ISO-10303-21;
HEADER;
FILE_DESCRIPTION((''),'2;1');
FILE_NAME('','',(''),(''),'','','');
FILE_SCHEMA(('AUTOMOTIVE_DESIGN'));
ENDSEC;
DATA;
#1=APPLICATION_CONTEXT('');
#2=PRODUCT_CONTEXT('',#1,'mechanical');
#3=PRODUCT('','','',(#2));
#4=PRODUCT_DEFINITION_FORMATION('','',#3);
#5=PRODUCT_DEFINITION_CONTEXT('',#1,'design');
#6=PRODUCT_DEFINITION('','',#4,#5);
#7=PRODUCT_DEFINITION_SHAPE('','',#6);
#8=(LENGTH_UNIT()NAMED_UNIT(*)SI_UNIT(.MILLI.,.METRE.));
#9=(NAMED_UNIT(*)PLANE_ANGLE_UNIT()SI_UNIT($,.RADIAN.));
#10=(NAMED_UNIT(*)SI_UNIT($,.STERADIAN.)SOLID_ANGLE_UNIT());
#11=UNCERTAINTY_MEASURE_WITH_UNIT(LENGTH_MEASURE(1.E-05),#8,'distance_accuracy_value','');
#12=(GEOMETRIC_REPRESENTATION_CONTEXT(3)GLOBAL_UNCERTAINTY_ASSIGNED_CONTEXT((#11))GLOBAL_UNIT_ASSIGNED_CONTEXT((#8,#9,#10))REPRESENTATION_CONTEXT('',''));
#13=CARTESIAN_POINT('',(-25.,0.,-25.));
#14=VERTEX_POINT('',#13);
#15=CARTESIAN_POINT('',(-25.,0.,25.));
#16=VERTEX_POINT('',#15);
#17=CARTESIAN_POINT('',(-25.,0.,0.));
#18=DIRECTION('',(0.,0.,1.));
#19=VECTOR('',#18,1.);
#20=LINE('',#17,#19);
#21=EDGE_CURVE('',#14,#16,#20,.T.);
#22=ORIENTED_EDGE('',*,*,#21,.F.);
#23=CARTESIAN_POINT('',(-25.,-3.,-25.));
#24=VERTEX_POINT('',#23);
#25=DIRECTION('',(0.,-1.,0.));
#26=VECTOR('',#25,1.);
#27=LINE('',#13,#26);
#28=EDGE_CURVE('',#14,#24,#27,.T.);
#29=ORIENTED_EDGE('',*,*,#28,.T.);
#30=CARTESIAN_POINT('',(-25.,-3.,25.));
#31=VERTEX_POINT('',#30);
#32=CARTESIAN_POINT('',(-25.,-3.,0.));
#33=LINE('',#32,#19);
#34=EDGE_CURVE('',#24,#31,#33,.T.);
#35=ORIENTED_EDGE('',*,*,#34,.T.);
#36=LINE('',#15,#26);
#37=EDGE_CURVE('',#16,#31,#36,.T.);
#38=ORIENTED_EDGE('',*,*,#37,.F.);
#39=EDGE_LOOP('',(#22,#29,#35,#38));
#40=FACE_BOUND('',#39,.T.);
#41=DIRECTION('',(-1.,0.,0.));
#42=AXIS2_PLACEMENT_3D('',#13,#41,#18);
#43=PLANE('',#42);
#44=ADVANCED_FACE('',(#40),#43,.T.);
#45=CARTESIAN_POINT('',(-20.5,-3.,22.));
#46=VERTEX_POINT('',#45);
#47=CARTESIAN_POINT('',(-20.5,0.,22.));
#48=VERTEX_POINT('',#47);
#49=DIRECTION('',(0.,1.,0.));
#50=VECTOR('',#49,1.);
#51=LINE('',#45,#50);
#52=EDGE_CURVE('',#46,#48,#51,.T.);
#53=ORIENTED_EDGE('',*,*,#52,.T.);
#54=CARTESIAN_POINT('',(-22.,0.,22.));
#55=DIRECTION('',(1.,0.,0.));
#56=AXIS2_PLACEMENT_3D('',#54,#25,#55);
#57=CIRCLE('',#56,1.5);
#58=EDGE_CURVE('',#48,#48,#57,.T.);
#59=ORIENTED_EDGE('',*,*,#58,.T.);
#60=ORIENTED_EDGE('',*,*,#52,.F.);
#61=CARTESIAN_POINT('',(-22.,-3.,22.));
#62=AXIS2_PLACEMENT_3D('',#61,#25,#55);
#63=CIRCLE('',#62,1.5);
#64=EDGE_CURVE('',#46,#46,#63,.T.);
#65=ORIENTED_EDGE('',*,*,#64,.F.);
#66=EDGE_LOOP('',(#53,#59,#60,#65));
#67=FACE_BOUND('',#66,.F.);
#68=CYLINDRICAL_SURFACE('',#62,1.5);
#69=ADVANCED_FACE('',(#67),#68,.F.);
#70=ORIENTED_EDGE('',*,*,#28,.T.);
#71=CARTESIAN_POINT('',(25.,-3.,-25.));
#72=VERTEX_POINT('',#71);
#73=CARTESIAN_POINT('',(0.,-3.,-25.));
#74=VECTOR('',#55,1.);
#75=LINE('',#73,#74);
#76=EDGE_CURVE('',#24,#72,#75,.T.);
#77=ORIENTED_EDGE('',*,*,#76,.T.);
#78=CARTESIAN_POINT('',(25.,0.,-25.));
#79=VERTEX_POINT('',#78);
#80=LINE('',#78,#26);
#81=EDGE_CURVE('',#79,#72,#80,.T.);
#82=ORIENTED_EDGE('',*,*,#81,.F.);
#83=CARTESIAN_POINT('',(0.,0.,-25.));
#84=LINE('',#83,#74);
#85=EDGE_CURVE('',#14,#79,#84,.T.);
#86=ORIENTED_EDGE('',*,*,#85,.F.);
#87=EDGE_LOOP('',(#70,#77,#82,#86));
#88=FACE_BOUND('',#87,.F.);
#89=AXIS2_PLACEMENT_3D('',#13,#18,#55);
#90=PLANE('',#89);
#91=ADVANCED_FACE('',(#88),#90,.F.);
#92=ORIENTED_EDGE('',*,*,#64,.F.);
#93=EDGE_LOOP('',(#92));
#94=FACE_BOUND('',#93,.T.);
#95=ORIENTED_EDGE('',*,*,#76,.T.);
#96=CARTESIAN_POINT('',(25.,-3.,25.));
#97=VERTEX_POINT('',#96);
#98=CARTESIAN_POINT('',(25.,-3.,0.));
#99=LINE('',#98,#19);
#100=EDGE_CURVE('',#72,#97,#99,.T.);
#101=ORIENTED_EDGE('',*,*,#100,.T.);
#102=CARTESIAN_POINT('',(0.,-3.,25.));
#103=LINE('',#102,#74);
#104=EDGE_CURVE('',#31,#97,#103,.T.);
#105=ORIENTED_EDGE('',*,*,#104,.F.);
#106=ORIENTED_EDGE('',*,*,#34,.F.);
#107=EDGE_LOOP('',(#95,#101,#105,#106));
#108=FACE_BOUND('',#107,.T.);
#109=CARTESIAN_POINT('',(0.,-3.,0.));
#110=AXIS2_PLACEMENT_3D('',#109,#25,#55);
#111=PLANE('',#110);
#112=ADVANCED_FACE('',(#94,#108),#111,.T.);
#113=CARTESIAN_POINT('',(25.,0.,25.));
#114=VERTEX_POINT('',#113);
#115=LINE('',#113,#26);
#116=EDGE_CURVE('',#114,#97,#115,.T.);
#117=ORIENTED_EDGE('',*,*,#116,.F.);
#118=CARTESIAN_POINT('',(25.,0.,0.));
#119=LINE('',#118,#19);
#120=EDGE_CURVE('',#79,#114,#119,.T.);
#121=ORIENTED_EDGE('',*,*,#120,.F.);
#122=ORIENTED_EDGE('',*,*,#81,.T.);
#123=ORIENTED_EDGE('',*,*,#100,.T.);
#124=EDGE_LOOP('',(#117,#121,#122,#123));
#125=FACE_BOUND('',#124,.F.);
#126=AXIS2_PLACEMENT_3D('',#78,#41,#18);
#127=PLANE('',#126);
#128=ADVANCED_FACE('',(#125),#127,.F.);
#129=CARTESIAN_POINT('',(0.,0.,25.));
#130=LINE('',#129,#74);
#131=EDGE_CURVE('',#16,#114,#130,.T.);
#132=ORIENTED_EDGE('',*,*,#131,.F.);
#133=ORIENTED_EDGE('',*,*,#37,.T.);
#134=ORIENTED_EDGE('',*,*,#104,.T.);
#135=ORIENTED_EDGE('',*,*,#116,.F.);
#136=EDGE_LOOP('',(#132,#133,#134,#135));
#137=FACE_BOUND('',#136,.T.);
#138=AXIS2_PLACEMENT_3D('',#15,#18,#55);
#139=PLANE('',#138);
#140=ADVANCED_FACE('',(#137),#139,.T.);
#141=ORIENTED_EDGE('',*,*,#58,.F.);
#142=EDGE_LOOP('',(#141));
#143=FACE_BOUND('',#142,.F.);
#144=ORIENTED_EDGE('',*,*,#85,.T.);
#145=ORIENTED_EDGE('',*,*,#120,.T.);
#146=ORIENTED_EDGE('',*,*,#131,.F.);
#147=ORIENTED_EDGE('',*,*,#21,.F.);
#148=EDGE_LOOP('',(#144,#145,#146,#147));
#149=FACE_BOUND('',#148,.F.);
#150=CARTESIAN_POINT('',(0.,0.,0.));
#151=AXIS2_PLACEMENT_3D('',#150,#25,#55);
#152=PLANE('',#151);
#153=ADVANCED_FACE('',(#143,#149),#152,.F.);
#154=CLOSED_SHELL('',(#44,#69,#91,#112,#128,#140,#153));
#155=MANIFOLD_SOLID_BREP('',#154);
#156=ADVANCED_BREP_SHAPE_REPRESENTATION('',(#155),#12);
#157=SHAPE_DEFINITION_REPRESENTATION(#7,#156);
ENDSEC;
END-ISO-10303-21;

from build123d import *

# Parameters (mm, degrees)
F0_W     = 50
F0_H     = 50
F1_DEPTH = 3
F2_R     = 1.5
F3_DEPTH = 25


with BuildPart() as f1:
    # F0 (on Front) → F1 (new body)
    with BuildSketch(Plane.XZ):
        Rectangle(F0_W, F0_H)
    extrude(amount=F1_DEPTH)

    # F2 (on face) → F3 (cut)
    with BuildSketch(Plane.XZ.offset(3)):
        with Locations((-22, 22)):
            Circle(F2_R)
    extrude(amount=-F3_DEPTH, mode=Mode.SUBTRACT)


solid = f1.part
